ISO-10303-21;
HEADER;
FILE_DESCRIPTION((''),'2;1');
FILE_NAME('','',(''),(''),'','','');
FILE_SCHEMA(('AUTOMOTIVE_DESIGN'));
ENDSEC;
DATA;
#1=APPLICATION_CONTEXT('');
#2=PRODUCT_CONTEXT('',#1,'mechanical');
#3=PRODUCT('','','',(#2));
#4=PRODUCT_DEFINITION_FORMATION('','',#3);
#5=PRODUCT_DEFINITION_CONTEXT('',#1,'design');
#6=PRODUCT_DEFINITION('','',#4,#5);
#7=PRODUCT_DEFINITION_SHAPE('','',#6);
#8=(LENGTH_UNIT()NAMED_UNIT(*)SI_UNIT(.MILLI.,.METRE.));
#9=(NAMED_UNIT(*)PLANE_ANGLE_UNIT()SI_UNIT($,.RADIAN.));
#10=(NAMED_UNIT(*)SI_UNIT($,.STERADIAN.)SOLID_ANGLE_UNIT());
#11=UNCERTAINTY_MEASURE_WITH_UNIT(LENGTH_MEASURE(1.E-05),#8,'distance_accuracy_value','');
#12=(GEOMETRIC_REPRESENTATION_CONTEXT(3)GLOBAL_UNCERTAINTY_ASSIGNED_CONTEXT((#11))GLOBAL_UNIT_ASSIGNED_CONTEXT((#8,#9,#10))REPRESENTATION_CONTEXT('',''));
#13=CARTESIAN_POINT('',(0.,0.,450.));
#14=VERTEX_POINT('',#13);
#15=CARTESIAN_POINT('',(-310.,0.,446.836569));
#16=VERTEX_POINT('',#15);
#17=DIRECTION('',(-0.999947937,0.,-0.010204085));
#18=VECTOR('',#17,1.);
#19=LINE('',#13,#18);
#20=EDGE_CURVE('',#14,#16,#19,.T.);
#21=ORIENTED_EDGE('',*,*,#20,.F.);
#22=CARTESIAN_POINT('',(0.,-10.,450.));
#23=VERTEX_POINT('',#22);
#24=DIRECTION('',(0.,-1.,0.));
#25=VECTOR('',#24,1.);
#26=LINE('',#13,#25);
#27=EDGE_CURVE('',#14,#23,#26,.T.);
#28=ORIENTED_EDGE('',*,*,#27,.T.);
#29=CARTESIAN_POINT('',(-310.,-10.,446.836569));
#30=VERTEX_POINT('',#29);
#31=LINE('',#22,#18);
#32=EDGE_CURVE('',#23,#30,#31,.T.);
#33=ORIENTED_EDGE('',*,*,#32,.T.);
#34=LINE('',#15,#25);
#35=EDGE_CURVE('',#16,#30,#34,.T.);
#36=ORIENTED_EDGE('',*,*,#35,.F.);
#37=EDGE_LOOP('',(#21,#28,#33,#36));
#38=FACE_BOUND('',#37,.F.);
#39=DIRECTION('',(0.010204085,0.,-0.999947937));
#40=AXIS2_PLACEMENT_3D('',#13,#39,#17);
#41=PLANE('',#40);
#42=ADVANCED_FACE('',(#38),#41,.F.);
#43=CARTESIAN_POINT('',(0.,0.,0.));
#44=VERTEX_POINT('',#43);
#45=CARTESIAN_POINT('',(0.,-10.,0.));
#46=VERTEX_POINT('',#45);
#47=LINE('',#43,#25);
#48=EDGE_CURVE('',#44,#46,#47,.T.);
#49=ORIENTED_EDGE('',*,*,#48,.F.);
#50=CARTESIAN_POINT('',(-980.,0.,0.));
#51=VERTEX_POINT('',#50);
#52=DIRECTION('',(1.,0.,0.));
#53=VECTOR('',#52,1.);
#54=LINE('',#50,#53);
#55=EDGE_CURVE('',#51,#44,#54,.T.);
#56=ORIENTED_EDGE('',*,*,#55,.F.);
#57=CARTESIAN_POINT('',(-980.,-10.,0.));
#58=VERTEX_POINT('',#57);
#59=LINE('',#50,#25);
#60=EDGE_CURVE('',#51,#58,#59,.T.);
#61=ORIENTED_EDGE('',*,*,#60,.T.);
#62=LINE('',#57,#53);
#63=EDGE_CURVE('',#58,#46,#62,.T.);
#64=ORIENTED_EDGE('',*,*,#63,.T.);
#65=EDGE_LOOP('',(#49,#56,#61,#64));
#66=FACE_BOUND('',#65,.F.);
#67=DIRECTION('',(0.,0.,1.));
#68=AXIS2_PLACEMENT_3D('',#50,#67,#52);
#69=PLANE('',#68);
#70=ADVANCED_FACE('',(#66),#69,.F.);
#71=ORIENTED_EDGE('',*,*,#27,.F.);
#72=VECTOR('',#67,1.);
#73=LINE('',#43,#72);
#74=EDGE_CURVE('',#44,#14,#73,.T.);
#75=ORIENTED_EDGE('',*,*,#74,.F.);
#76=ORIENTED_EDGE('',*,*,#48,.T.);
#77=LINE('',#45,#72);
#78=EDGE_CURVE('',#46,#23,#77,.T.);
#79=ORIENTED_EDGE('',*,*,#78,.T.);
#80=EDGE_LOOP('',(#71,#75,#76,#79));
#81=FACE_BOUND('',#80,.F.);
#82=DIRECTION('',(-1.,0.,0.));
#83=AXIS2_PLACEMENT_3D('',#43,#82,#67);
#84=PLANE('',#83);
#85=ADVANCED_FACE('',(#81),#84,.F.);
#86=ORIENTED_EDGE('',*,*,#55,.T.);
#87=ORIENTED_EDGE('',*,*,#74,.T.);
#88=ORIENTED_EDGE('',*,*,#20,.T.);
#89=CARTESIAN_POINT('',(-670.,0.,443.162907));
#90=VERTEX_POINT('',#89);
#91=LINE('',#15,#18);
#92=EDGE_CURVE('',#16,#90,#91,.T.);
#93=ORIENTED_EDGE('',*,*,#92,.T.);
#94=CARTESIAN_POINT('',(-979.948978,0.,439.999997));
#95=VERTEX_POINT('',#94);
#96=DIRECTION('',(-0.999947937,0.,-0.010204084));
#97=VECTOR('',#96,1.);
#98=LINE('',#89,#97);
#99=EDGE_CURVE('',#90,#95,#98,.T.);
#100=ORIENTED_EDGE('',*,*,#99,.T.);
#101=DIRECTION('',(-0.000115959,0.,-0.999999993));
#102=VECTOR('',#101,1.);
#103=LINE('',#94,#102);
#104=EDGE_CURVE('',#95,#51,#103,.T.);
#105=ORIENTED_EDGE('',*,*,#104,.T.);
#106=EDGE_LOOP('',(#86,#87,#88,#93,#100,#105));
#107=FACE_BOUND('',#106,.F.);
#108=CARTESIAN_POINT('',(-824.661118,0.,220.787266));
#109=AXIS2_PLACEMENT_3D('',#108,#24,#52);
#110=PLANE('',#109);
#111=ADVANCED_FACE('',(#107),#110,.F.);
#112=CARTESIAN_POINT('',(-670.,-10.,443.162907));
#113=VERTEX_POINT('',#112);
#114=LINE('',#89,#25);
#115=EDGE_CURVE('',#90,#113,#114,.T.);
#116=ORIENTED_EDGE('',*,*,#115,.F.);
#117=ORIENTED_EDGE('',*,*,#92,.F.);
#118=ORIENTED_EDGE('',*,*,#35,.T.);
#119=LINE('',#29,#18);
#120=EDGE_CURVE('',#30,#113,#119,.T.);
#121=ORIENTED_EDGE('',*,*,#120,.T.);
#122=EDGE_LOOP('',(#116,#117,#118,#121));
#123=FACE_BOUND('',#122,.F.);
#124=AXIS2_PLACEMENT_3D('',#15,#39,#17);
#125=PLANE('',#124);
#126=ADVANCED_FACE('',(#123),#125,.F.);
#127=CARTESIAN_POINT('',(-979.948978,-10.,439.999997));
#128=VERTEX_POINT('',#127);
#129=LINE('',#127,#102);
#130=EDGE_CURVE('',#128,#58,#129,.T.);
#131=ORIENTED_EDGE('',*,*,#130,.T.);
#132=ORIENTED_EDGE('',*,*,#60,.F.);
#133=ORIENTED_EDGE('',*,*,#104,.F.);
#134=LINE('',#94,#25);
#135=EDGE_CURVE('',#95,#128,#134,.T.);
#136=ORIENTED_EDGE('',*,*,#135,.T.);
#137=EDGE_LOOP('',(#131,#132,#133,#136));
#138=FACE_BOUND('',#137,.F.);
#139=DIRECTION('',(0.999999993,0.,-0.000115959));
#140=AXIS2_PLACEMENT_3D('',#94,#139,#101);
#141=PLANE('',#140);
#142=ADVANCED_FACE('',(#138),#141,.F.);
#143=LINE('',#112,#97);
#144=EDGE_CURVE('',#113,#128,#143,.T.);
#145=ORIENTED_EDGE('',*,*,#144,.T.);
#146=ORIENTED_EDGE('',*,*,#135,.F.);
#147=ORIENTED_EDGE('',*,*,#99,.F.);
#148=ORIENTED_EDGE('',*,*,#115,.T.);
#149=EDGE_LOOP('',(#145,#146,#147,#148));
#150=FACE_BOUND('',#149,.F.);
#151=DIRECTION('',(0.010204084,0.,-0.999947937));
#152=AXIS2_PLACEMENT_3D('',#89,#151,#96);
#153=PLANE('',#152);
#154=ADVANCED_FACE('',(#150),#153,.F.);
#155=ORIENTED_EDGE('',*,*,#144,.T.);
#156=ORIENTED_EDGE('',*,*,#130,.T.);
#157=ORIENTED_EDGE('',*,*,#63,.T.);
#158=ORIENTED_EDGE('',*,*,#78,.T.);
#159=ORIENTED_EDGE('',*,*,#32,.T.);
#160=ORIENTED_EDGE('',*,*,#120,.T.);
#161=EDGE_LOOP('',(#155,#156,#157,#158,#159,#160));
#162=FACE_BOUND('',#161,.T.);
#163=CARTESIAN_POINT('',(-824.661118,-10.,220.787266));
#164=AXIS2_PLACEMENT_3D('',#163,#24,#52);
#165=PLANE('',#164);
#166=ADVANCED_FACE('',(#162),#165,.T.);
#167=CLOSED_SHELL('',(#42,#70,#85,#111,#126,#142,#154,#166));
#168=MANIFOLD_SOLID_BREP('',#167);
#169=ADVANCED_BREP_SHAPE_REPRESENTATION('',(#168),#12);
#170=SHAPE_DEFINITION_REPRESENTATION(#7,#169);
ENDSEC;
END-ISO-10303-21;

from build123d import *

# Parameters (mm, degrees)
F1_DEPTH = 10


with BuildPart() as f1:
    # F0 (on Front) → F1 (new body)
    with BuildSketch(Plane.XZ):
        Polygon((-979.948978, 439.999997), (-980, 0), (-670, 0), (-670, 443.162907), align=None)
        Polygon((-670, 443.162907), (-670, 0), (-310, 0), (-310, 446.836569), align=None)
        Polygon((-310, 446.836569), (-310, 0), (0, 0), (0, 450), align=None)
    extrude(amount=F1_DEPTH)


solid = f1.part
